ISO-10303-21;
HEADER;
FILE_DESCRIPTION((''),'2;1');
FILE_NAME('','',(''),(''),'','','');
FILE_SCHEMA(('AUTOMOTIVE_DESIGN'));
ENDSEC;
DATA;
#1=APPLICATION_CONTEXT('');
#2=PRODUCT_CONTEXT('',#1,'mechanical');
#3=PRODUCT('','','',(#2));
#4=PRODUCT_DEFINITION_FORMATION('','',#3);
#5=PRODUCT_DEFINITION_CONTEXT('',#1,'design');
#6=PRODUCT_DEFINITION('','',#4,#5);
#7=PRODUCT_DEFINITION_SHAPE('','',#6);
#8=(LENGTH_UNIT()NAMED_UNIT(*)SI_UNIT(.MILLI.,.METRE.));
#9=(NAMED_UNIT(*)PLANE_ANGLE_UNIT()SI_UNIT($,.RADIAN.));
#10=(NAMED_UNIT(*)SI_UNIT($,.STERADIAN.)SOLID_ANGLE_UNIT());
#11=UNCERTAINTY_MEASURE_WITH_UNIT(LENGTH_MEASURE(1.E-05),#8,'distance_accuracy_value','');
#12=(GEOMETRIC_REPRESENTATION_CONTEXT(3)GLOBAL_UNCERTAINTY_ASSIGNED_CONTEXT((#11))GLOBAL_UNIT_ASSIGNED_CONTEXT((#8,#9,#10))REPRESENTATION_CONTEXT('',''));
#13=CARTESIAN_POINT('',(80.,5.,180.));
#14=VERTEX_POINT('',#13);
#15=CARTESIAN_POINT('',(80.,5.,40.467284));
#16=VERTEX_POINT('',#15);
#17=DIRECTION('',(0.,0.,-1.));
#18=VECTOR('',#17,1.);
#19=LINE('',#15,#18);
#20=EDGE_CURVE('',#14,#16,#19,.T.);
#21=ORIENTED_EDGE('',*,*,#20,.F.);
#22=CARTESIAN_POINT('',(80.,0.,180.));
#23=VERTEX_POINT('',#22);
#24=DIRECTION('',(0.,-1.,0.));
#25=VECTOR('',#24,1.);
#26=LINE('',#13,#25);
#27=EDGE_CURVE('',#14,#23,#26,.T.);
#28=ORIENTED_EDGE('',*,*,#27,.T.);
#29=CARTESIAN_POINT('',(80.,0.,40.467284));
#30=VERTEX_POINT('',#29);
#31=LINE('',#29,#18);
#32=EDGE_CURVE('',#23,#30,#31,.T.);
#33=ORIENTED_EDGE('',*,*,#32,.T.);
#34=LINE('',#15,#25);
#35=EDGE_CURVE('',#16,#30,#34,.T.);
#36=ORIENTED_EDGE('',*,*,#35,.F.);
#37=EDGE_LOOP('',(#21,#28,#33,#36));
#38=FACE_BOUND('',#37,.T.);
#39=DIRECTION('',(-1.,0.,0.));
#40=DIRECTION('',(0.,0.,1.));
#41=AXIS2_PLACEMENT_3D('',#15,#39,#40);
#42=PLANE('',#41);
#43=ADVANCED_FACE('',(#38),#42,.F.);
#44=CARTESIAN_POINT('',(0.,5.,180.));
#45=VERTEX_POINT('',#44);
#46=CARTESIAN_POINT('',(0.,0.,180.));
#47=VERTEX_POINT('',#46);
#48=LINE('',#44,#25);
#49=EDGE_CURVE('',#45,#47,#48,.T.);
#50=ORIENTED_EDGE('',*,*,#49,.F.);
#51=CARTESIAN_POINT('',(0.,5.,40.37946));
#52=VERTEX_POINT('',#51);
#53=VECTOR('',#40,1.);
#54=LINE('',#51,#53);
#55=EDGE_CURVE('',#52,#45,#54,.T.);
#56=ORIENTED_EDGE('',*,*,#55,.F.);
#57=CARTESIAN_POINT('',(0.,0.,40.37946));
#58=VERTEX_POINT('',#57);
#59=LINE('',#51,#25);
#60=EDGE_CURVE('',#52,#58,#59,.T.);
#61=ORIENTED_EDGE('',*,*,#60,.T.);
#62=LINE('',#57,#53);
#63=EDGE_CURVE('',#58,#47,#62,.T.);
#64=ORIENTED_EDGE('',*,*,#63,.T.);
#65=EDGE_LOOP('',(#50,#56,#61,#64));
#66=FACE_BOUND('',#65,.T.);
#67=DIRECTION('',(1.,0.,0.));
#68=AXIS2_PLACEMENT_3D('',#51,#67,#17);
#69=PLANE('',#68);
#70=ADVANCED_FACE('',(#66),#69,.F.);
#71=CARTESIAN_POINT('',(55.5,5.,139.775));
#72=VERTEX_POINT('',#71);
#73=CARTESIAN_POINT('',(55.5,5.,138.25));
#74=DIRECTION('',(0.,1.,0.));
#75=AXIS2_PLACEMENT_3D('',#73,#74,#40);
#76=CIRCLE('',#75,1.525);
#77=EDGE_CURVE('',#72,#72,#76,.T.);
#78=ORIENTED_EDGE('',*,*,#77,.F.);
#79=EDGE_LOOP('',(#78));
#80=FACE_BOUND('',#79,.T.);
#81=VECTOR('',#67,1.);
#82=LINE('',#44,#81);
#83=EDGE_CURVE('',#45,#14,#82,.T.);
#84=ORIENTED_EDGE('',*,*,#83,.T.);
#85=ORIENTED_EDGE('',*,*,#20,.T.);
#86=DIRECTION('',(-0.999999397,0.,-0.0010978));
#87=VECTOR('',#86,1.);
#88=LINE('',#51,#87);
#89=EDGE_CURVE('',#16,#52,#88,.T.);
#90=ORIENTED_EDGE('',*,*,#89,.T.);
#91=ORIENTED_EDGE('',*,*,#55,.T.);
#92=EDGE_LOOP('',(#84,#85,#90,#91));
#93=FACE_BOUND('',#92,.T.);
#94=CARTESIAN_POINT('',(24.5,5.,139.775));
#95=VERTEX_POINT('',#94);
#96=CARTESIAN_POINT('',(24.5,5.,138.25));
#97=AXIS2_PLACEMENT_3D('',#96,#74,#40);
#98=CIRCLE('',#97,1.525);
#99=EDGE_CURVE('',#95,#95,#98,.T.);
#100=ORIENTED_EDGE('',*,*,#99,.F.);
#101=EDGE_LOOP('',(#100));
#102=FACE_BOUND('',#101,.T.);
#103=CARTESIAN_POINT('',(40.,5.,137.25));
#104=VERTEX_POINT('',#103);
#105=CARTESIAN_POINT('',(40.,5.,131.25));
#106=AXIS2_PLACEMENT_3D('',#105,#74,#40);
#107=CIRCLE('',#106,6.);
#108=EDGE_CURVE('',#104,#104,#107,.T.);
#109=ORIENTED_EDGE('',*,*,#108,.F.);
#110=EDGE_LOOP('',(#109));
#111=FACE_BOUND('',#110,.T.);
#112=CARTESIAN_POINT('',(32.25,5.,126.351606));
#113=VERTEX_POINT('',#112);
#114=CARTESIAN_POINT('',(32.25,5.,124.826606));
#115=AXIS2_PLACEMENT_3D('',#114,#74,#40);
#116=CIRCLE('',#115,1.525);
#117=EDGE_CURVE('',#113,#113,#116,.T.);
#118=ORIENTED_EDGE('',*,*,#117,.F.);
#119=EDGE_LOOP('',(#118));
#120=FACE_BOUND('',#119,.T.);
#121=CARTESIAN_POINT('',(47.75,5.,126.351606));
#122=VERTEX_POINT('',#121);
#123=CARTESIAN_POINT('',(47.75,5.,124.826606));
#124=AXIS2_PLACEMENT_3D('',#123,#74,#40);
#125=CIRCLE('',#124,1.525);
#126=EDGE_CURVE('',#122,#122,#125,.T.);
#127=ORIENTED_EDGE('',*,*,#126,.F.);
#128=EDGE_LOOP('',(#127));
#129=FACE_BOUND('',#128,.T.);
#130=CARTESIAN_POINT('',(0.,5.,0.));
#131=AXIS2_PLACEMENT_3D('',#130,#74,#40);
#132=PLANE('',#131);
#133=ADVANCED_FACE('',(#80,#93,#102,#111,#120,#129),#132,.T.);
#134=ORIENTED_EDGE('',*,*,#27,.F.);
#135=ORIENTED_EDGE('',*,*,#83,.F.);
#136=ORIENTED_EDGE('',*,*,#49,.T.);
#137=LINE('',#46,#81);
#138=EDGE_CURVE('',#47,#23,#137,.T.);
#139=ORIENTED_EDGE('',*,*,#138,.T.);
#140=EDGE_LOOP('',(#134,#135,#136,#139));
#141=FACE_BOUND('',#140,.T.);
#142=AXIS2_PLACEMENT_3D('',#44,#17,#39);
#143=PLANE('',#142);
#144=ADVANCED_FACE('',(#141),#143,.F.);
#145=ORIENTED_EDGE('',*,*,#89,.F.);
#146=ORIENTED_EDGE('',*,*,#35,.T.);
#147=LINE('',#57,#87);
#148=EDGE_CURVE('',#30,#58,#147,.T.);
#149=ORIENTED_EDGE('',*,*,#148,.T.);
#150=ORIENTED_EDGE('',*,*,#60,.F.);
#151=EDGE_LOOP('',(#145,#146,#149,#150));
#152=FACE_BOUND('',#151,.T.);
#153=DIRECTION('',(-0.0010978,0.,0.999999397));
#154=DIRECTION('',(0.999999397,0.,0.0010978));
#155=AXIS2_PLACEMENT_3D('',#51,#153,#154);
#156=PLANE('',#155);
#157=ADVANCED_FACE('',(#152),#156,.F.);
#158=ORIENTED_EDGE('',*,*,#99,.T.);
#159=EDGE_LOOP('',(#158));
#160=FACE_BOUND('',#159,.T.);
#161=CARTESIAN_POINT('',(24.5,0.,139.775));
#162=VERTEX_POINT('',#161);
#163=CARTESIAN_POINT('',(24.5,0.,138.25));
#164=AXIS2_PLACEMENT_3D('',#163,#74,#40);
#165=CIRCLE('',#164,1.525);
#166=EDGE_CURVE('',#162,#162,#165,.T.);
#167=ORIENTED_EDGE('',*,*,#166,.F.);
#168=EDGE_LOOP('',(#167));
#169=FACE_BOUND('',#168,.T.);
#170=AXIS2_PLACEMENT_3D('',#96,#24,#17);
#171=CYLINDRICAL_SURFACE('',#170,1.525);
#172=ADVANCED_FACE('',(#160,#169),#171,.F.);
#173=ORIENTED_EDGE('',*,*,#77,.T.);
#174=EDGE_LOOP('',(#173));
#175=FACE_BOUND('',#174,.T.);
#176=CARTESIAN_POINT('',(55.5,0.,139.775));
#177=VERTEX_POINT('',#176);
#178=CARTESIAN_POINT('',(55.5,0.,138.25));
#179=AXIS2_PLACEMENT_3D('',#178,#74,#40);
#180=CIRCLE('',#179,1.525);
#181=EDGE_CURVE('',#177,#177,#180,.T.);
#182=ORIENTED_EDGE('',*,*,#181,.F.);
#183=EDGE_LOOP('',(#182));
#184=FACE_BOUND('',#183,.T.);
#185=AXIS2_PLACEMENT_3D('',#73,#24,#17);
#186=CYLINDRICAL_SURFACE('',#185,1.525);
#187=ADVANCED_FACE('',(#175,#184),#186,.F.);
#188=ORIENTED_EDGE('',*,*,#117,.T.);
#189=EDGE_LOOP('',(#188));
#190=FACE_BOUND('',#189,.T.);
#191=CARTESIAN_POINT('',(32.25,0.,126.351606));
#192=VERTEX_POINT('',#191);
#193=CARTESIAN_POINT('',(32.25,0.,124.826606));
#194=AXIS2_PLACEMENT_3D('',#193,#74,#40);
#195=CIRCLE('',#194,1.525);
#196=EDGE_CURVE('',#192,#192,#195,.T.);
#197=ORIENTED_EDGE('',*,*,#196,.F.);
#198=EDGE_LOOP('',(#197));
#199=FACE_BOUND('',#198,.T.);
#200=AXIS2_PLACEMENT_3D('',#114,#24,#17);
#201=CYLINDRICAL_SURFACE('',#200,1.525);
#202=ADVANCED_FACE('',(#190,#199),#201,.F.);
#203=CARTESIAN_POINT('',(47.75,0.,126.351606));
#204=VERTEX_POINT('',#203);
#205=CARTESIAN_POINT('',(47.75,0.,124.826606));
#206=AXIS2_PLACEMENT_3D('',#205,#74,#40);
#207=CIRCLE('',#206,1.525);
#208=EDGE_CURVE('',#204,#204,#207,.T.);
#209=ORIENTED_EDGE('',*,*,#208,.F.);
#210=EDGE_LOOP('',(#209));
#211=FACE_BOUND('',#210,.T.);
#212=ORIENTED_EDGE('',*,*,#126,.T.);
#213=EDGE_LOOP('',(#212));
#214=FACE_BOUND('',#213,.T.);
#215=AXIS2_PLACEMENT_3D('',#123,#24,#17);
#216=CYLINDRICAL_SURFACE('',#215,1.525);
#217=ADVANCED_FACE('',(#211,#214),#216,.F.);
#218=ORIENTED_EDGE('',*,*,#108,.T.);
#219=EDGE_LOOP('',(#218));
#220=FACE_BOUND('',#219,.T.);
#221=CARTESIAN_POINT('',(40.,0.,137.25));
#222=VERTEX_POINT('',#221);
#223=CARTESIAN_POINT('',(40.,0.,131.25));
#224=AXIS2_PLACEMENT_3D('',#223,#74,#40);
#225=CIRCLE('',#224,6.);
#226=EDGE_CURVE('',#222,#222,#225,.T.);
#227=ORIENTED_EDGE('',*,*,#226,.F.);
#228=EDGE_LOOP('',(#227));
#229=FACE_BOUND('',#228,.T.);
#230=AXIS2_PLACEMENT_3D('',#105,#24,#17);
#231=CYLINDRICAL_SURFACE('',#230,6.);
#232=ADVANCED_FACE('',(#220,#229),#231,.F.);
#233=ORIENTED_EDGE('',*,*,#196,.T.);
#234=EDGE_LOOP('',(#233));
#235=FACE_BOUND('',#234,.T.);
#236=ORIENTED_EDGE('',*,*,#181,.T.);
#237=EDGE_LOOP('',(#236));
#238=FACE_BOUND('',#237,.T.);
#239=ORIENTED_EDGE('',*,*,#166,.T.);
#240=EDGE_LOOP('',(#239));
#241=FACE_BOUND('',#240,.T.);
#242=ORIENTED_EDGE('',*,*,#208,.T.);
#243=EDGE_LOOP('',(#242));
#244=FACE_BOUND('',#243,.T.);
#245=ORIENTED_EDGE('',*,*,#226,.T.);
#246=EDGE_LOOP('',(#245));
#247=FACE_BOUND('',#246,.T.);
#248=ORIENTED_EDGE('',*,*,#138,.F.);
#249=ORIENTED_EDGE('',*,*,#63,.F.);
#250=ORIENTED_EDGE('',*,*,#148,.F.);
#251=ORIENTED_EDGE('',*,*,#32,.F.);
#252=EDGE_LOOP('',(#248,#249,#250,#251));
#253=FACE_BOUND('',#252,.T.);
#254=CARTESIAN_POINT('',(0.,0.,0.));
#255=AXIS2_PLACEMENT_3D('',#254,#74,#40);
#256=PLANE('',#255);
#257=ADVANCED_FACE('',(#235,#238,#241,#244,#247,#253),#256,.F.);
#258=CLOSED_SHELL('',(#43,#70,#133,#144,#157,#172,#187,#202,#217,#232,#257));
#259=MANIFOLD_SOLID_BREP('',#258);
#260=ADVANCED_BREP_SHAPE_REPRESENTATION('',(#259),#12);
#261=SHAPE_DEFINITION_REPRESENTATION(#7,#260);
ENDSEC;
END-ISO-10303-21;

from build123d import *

# Parameters (mm, degrees)
SKETCH1_R           = 6
SKETCH1_R_2         = 1.525
BOSS_EXTRUDE1_DEPTH = 5


with BuildPart() as part:
    # Sketch1 → Boss-Extrude1 (new body)
    with BuildSketch(Plane(origin=(0, 0, 0), x_dir=(1, 0, 0), z_dir=(0, 1, 0))):
        Polygon((0, -40.379460215), (80, -40.467284232), (80, -180), (0, -180), align=None)
        with Locations(Location((40, -131.25, 0), (0, 0, 270))):
            Circle(SKETCH1_R, mode=Mode.SUBTRACT)
        with Locations(Location((24.5, -138.25, 0), (0, 0, 270))):
            Circle(SKETCH1_R_2, mode=Mode.SUBTRACT)
        with Locations(Location((55.5, -138.25, 0), (0, 0, 270))):
            Circle(SKETCH1_R_2, mode=Mode.SUBTRACT)
        with Locations(Location((32.25, -124.826606241, 0), (0, 0, 270))):
            Circle(SKETCH1_R_2, mode=Mode.SUBTRACT)
        with Locations(Location((47.75, -124.826606241, 0), (0, 0, 270))):
            Circle(SKETCH1_R_2, mode=Mode.SUBTRACT)
    extrude(amount=BOSS_EXTRUDE1_DEPTH)


solid = part.part
